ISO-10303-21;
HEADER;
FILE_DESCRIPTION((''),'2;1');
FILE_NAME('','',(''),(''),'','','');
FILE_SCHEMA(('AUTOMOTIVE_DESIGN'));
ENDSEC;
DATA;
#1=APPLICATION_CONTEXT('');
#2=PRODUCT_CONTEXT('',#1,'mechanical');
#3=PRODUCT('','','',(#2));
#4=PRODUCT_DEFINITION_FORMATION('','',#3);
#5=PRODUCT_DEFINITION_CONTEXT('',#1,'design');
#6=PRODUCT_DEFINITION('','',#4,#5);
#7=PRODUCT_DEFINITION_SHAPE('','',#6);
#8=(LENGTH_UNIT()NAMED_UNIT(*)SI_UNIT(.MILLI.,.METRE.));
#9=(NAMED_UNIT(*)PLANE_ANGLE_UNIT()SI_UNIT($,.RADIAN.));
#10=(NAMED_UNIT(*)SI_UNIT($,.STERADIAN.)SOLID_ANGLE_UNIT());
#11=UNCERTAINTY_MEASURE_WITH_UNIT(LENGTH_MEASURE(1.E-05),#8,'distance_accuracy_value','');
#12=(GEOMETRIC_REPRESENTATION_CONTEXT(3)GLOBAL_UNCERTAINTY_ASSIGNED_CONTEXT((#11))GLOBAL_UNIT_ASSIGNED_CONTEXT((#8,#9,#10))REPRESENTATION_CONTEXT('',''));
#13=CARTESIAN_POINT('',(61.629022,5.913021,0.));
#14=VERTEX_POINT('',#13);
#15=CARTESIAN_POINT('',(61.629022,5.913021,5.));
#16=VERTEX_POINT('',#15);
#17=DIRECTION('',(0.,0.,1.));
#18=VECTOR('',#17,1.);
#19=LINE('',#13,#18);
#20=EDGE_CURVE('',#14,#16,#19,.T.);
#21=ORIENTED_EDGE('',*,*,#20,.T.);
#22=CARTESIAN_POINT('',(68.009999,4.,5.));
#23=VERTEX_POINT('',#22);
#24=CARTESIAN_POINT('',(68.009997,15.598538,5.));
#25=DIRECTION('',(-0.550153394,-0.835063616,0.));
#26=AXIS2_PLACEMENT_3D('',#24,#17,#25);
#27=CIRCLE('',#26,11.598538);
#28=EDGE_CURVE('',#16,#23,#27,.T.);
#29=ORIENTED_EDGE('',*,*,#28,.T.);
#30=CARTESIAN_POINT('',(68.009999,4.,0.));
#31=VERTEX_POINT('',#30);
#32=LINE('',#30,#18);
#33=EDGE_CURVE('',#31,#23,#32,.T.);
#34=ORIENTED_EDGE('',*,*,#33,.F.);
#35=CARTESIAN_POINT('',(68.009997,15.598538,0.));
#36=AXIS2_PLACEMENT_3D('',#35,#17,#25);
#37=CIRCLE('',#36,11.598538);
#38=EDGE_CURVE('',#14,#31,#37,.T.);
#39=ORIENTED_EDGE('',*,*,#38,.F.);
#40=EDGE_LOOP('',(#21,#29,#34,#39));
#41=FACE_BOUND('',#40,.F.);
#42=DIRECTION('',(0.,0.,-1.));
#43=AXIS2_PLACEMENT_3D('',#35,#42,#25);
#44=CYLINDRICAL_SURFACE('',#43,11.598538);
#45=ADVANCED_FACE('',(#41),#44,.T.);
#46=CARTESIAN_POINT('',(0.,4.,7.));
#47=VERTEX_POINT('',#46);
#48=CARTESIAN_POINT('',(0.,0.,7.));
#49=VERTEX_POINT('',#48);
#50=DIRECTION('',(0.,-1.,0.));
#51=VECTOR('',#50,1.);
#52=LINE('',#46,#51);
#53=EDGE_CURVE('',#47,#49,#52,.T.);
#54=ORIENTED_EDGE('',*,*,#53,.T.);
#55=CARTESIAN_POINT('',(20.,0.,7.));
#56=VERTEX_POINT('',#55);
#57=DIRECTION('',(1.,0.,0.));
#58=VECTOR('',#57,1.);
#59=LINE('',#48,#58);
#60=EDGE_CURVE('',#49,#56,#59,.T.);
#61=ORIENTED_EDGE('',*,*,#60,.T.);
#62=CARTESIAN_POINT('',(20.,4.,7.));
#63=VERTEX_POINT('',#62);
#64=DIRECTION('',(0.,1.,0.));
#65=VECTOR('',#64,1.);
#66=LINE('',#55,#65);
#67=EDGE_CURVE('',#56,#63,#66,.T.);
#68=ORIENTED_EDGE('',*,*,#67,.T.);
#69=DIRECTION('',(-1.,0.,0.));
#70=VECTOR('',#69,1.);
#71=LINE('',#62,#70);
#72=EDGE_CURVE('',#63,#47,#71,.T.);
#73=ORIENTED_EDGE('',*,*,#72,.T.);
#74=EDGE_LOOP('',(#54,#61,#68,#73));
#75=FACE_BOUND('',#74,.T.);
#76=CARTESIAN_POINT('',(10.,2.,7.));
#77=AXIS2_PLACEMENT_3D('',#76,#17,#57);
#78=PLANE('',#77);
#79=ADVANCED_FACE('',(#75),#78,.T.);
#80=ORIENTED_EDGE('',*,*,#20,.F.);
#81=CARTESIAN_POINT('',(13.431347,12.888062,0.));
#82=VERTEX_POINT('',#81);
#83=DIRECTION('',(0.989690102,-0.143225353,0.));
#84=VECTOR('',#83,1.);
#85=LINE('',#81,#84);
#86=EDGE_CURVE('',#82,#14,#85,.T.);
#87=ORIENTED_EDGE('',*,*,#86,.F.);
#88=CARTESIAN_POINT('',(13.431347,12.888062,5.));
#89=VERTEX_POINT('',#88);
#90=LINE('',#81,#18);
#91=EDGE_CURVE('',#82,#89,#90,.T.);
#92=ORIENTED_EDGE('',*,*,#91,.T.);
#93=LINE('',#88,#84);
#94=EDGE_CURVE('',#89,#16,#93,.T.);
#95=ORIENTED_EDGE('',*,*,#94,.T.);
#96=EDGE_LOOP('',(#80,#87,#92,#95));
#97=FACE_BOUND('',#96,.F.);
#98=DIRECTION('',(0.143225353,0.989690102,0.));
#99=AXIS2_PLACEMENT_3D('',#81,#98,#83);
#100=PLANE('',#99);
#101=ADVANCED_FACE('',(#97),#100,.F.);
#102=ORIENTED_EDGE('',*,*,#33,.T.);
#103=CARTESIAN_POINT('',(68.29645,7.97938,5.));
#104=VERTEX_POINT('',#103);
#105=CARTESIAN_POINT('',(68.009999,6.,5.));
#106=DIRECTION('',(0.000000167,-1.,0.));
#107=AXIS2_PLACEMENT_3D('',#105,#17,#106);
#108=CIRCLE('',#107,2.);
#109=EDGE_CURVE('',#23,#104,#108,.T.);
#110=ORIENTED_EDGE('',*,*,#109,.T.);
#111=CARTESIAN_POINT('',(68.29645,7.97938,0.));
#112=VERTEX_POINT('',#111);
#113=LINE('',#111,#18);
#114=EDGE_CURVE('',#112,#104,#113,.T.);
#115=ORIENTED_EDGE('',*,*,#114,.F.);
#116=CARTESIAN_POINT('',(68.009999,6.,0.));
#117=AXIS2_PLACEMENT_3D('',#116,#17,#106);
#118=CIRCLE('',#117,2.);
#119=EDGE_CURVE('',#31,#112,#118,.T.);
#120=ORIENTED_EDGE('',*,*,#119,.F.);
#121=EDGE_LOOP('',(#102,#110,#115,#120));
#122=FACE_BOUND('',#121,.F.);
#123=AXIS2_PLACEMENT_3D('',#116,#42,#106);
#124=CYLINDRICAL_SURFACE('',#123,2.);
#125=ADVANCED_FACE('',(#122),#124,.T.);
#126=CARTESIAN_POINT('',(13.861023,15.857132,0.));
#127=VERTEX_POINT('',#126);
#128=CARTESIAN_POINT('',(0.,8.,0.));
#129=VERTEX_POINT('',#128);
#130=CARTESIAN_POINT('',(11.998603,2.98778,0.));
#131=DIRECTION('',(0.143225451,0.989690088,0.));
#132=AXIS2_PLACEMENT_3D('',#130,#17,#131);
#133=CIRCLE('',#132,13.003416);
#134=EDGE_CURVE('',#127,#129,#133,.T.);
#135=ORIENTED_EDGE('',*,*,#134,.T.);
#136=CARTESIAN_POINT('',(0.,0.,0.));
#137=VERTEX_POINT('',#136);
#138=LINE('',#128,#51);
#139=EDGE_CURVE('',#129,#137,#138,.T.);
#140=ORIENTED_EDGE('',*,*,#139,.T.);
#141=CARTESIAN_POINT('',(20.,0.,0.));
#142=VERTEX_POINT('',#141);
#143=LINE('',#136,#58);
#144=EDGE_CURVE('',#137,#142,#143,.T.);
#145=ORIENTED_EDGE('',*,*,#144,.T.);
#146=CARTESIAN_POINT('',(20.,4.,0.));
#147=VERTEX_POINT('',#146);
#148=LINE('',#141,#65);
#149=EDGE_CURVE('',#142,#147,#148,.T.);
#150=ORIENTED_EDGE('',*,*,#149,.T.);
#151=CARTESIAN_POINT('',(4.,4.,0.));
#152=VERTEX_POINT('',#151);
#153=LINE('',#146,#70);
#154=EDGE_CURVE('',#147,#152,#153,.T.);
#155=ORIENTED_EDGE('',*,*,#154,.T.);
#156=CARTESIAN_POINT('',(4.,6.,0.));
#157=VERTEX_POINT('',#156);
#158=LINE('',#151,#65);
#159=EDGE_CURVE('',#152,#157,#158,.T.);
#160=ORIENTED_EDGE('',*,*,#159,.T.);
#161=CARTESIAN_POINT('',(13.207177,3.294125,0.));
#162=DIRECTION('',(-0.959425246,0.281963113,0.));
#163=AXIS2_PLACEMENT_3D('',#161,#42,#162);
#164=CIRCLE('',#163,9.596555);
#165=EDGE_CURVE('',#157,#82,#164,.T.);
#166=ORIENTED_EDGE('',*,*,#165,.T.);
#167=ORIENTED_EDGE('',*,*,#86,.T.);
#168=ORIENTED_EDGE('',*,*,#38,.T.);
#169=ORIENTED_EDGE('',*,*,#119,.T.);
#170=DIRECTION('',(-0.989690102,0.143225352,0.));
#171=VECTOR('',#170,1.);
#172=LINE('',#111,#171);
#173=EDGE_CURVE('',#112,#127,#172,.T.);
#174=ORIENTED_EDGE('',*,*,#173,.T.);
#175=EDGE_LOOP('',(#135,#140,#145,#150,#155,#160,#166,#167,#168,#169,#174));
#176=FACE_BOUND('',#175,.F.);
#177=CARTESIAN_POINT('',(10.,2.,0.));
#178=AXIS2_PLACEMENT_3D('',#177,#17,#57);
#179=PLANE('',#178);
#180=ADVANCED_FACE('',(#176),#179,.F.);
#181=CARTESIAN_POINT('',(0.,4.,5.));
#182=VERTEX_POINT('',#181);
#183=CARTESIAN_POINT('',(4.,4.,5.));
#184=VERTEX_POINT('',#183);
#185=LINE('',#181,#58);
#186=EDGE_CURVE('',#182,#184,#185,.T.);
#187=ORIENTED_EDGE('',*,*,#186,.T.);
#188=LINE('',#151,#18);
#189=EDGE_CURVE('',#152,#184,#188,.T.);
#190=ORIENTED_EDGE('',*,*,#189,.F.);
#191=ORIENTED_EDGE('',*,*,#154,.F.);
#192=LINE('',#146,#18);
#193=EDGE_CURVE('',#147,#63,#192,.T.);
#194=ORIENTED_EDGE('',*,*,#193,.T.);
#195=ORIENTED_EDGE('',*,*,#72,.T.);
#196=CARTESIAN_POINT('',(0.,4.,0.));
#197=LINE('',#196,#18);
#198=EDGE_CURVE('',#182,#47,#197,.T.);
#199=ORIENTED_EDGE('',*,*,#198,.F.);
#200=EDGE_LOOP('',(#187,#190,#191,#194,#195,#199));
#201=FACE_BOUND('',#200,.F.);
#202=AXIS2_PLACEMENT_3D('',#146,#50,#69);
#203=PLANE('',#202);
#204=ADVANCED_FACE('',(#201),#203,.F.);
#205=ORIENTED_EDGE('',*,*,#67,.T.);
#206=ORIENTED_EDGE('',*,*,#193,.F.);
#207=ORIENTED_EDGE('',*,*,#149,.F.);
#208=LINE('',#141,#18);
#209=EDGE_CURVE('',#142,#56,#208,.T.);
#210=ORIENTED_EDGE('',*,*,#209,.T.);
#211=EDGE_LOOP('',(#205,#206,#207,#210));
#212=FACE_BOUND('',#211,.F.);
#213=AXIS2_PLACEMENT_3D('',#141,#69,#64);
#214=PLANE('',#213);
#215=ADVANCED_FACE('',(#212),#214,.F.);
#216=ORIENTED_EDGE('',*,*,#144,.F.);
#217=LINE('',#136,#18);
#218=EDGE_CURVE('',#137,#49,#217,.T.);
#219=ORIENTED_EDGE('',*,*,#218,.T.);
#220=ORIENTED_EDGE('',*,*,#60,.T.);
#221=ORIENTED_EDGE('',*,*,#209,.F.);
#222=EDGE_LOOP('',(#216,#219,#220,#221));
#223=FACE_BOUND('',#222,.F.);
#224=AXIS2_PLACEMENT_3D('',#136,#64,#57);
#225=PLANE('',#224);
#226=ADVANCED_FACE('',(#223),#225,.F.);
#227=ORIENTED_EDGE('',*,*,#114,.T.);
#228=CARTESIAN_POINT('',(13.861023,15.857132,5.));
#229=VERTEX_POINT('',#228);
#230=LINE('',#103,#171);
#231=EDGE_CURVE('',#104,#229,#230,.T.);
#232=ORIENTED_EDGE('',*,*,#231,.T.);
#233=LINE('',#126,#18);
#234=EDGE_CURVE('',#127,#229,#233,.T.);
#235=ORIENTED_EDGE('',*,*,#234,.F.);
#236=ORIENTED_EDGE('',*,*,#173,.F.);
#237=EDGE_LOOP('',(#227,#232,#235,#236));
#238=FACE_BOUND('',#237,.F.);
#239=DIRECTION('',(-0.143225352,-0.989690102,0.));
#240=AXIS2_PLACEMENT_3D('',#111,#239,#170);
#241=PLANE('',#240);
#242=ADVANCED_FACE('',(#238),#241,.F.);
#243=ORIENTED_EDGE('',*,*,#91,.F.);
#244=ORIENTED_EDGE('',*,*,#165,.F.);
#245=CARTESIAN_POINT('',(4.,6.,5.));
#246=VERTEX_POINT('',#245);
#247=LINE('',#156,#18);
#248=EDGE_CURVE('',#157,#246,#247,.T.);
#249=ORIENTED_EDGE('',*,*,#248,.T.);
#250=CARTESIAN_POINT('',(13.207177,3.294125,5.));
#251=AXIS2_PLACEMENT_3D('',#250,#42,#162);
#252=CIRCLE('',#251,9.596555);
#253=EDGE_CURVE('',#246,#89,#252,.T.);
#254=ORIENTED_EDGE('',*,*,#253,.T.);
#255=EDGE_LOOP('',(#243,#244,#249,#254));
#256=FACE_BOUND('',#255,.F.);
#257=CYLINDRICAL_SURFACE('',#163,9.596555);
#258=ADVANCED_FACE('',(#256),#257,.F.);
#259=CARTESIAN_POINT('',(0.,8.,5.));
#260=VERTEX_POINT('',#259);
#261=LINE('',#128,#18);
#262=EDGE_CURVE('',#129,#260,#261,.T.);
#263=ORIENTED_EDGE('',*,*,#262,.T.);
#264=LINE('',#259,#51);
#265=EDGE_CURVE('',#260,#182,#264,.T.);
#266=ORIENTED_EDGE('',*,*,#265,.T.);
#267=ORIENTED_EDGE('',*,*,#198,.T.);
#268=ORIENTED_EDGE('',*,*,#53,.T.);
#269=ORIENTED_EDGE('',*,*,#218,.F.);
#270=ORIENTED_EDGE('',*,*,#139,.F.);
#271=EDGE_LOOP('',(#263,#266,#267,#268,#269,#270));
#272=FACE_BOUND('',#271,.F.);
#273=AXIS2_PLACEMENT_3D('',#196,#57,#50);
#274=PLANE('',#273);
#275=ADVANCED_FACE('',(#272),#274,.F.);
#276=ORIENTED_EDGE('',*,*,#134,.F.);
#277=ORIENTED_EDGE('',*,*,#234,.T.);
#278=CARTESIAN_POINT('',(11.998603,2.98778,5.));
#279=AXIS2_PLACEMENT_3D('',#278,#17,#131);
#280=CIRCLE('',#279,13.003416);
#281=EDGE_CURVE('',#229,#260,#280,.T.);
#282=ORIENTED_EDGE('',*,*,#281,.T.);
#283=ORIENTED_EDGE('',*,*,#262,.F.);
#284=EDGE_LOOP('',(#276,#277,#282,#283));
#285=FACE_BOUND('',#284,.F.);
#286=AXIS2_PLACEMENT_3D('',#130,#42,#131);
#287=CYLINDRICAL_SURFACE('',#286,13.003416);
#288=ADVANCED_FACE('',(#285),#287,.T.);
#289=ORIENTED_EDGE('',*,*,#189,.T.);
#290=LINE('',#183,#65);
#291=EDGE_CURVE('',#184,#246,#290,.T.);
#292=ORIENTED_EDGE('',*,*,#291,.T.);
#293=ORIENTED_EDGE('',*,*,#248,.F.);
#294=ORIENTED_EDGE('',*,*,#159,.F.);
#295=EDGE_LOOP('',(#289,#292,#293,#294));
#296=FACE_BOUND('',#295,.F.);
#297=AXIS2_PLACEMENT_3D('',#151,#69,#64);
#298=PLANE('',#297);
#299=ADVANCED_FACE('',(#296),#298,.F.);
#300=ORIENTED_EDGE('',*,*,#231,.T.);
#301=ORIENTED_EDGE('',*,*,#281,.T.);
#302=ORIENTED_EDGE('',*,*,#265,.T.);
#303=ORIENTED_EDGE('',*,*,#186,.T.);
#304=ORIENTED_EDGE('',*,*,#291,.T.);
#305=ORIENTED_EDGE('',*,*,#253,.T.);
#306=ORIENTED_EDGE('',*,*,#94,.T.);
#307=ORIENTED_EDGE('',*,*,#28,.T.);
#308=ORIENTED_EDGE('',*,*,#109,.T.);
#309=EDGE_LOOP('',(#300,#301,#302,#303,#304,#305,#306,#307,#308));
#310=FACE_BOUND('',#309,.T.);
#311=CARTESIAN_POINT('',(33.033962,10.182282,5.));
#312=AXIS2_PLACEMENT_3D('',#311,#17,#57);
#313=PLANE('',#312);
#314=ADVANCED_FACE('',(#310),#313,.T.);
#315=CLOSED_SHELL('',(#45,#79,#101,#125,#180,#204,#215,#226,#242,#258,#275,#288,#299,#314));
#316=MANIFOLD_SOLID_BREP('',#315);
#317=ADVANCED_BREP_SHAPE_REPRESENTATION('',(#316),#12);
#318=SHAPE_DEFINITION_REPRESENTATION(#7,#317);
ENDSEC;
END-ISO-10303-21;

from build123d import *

# Parameters (mm, degrees)
F1_DEPTH = 5
F2_DEPTH = 7


with BuildPart() as f1:
    # F0 (on Top) → F1 (new body)
    with BuildSketch(Plane.XY):
        with BuildLine():
            ThreePointArc((61.629022, 5.913021), (64.679214, 4.488544), (68.009999, 4))
            ThreePointArc((68.009999, 4), (70.004837, 5.856404), (68.29645, 7.97938))
            Line((68.29645, 7.97938), (13.861023, 15.857132))
            ThreePointArc((13.861023, 15.857132), (5.586179, 14.300147), (0, 8))
            Line((0, 8), (0, 4))
            Line((0, 4), (4, 4))
            Line((4, 4), (4, 6))
            ThreePointArc((4, 6), (7.547234, 11.043894), (13.431347, 12.888062))
            Line((13.431347, 12.888062), (61.629022, 5.913021))
        make_face()
    extrude(amount=F1_DEPTH)

    # F0 (on Top) → F2 (join)
    with BuildSketch(Plane.XY):
        Polygon((4, 4), (0, 4), (0, 0), (20, 0), (20, 4), align=None)
    extrude(amount=F2_DEPTH)


solid = f1.part
